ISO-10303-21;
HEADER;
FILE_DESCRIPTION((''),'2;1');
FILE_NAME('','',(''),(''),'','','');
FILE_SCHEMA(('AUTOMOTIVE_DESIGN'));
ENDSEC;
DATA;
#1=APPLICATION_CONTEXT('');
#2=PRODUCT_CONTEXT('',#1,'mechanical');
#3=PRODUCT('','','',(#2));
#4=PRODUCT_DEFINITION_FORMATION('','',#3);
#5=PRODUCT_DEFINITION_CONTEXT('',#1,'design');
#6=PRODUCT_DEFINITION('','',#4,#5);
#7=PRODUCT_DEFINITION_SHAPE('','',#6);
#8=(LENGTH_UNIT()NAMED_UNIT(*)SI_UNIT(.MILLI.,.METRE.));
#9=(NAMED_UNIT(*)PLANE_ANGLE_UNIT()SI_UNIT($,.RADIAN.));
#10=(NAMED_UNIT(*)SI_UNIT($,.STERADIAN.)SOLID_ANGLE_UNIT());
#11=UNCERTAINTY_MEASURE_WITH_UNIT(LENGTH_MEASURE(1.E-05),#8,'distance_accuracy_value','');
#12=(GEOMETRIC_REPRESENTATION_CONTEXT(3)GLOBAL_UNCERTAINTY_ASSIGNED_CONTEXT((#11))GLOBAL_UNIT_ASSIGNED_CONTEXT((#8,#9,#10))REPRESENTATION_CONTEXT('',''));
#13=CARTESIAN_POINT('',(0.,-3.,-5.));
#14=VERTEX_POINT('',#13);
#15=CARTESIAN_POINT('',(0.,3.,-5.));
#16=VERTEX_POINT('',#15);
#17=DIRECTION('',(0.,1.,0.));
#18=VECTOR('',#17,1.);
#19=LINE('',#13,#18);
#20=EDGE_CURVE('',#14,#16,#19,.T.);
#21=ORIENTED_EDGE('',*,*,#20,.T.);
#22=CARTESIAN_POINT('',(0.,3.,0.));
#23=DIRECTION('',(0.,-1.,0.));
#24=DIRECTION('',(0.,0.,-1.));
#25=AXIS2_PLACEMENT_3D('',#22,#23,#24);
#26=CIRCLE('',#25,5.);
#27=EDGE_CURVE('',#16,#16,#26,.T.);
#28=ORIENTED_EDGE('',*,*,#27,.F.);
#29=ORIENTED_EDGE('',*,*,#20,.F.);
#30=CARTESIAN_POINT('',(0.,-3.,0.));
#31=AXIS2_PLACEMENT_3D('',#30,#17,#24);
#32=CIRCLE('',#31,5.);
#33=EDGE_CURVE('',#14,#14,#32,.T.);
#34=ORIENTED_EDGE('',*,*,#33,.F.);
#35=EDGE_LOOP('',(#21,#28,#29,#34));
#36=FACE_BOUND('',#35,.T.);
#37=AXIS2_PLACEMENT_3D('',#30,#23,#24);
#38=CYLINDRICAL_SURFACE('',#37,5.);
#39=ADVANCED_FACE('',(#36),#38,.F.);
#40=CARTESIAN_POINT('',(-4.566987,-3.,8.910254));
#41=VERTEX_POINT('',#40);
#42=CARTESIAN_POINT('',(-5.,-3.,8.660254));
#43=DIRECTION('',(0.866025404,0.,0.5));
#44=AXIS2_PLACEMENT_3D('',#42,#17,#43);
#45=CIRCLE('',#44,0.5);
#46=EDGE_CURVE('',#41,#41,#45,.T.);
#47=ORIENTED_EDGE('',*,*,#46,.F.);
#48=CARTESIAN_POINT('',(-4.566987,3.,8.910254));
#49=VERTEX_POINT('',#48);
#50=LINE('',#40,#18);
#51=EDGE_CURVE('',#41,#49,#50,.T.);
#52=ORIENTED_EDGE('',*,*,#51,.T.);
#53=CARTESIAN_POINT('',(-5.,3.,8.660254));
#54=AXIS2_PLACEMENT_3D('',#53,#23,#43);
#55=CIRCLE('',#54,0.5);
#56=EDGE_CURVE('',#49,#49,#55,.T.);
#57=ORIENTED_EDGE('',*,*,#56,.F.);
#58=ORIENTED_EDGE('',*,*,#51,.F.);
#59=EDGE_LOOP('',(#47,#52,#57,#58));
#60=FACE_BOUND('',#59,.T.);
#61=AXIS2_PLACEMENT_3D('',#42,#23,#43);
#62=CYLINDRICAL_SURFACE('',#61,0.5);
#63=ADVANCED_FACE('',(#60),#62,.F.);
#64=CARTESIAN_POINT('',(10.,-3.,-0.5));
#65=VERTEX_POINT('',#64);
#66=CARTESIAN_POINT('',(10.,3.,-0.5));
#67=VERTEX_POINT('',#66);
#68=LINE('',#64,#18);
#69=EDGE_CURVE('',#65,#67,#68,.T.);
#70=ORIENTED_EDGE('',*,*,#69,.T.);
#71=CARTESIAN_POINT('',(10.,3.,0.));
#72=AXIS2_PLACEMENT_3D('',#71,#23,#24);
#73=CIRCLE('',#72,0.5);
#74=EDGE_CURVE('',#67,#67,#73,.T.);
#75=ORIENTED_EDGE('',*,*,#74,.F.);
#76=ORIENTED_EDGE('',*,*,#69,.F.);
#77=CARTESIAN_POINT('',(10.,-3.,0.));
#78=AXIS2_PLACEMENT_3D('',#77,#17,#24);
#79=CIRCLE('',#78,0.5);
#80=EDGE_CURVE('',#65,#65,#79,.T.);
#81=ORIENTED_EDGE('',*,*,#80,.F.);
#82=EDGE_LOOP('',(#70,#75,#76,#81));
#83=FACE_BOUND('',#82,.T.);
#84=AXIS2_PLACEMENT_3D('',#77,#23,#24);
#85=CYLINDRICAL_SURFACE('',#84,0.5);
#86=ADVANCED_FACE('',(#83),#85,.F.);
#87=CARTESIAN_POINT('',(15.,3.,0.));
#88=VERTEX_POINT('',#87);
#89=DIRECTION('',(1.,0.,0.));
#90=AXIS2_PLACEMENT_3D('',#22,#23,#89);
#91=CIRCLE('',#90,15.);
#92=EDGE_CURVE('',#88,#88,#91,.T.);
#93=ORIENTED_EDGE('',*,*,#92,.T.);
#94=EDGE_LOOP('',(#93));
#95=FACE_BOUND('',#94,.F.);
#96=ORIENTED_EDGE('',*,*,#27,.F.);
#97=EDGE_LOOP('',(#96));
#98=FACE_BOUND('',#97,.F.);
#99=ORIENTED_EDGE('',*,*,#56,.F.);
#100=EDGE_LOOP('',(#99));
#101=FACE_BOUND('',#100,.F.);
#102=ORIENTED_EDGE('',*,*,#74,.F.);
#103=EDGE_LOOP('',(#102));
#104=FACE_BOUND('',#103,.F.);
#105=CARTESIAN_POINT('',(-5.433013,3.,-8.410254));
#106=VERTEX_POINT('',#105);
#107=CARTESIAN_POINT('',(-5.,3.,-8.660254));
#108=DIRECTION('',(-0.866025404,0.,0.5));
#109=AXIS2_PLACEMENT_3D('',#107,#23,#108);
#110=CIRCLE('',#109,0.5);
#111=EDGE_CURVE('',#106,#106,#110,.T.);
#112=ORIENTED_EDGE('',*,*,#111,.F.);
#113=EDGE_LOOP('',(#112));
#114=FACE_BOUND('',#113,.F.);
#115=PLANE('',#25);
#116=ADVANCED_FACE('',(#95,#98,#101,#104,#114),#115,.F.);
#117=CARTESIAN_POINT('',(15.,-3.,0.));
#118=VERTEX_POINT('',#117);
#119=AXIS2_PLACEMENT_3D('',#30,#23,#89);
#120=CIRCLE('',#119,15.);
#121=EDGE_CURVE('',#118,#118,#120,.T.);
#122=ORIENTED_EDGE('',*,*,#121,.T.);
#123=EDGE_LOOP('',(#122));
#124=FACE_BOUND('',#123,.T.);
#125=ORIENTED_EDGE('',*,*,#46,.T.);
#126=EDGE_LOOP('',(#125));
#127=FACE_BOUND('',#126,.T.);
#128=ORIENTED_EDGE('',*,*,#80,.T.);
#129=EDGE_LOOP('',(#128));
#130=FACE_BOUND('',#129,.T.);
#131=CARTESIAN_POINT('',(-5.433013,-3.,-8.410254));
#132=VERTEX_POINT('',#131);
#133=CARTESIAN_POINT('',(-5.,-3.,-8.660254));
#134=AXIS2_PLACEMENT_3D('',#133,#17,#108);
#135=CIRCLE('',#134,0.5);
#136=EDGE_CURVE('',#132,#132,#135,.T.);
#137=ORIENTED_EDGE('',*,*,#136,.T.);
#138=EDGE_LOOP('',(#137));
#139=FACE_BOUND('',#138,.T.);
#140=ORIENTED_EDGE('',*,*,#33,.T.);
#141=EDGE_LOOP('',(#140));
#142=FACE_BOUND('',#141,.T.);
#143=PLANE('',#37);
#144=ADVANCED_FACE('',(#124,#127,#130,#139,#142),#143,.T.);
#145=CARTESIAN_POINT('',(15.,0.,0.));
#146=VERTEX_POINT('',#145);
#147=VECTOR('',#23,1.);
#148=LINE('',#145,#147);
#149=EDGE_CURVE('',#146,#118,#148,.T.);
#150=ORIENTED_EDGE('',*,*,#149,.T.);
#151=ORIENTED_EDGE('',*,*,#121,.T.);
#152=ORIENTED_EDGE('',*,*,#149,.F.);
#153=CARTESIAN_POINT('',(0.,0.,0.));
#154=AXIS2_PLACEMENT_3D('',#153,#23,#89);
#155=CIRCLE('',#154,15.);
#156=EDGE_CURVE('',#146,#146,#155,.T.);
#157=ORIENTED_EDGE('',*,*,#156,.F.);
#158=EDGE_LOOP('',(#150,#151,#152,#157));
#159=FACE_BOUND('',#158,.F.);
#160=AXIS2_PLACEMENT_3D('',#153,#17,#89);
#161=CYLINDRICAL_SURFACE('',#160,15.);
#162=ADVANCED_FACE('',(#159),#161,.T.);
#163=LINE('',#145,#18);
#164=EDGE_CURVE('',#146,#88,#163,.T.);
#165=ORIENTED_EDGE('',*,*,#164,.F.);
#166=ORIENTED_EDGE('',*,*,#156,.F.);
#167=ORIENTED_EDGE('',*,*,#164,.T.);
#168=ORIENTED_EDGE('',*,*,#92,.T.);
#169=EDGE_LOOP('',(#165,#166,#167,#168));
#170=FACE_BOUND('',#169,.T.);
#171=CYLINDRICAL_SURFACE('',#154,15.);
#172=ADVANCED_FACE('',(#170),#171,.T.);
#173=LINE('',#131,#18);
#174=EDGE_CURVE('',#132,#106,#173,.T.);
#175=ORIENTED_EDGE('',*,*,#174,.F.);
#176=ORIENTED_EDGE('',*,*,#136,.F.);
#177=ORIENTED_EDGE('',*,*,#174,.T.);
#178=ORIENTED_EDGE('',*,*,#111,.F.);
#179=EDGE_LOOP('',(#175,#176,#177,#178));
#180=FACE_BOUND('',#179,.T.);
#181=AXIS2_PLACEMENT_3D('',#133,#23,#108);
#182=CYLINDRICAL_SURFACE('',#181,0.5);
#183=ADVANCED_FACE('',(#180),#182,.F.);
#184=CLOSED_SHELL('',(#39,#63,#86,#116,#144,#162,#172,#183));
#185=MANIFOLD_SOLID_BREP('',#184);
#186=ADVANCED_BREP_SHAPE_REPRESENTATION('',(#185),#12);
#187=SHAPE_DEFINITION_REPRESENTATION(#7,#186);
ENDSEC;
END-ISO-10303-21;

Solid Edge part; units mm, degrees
sketch "Sketch1" plane through (0, 0, 0) normal (0, -1, 0) x (1, 0, 0)
  circle A0 centre (0, 0) radius 15
extrude "Protrusion1" add sketch "Sketch1" along normal mid plane 6
hole "Bohrung_1" at (0, -3, 0) direction (0, 1, 0) diameter 10 end through all
hole "Bohrung_2" at (10, -3, 0) direction (0, 1, 0) diameter 1 end up to next
pattern_circular "Pattern1" count 3 over 360 about axis through (0, -3, 0) along (0, -1, 0) of "Bohrung_2"
properties part number "DV2" material "Grauguss 20"
